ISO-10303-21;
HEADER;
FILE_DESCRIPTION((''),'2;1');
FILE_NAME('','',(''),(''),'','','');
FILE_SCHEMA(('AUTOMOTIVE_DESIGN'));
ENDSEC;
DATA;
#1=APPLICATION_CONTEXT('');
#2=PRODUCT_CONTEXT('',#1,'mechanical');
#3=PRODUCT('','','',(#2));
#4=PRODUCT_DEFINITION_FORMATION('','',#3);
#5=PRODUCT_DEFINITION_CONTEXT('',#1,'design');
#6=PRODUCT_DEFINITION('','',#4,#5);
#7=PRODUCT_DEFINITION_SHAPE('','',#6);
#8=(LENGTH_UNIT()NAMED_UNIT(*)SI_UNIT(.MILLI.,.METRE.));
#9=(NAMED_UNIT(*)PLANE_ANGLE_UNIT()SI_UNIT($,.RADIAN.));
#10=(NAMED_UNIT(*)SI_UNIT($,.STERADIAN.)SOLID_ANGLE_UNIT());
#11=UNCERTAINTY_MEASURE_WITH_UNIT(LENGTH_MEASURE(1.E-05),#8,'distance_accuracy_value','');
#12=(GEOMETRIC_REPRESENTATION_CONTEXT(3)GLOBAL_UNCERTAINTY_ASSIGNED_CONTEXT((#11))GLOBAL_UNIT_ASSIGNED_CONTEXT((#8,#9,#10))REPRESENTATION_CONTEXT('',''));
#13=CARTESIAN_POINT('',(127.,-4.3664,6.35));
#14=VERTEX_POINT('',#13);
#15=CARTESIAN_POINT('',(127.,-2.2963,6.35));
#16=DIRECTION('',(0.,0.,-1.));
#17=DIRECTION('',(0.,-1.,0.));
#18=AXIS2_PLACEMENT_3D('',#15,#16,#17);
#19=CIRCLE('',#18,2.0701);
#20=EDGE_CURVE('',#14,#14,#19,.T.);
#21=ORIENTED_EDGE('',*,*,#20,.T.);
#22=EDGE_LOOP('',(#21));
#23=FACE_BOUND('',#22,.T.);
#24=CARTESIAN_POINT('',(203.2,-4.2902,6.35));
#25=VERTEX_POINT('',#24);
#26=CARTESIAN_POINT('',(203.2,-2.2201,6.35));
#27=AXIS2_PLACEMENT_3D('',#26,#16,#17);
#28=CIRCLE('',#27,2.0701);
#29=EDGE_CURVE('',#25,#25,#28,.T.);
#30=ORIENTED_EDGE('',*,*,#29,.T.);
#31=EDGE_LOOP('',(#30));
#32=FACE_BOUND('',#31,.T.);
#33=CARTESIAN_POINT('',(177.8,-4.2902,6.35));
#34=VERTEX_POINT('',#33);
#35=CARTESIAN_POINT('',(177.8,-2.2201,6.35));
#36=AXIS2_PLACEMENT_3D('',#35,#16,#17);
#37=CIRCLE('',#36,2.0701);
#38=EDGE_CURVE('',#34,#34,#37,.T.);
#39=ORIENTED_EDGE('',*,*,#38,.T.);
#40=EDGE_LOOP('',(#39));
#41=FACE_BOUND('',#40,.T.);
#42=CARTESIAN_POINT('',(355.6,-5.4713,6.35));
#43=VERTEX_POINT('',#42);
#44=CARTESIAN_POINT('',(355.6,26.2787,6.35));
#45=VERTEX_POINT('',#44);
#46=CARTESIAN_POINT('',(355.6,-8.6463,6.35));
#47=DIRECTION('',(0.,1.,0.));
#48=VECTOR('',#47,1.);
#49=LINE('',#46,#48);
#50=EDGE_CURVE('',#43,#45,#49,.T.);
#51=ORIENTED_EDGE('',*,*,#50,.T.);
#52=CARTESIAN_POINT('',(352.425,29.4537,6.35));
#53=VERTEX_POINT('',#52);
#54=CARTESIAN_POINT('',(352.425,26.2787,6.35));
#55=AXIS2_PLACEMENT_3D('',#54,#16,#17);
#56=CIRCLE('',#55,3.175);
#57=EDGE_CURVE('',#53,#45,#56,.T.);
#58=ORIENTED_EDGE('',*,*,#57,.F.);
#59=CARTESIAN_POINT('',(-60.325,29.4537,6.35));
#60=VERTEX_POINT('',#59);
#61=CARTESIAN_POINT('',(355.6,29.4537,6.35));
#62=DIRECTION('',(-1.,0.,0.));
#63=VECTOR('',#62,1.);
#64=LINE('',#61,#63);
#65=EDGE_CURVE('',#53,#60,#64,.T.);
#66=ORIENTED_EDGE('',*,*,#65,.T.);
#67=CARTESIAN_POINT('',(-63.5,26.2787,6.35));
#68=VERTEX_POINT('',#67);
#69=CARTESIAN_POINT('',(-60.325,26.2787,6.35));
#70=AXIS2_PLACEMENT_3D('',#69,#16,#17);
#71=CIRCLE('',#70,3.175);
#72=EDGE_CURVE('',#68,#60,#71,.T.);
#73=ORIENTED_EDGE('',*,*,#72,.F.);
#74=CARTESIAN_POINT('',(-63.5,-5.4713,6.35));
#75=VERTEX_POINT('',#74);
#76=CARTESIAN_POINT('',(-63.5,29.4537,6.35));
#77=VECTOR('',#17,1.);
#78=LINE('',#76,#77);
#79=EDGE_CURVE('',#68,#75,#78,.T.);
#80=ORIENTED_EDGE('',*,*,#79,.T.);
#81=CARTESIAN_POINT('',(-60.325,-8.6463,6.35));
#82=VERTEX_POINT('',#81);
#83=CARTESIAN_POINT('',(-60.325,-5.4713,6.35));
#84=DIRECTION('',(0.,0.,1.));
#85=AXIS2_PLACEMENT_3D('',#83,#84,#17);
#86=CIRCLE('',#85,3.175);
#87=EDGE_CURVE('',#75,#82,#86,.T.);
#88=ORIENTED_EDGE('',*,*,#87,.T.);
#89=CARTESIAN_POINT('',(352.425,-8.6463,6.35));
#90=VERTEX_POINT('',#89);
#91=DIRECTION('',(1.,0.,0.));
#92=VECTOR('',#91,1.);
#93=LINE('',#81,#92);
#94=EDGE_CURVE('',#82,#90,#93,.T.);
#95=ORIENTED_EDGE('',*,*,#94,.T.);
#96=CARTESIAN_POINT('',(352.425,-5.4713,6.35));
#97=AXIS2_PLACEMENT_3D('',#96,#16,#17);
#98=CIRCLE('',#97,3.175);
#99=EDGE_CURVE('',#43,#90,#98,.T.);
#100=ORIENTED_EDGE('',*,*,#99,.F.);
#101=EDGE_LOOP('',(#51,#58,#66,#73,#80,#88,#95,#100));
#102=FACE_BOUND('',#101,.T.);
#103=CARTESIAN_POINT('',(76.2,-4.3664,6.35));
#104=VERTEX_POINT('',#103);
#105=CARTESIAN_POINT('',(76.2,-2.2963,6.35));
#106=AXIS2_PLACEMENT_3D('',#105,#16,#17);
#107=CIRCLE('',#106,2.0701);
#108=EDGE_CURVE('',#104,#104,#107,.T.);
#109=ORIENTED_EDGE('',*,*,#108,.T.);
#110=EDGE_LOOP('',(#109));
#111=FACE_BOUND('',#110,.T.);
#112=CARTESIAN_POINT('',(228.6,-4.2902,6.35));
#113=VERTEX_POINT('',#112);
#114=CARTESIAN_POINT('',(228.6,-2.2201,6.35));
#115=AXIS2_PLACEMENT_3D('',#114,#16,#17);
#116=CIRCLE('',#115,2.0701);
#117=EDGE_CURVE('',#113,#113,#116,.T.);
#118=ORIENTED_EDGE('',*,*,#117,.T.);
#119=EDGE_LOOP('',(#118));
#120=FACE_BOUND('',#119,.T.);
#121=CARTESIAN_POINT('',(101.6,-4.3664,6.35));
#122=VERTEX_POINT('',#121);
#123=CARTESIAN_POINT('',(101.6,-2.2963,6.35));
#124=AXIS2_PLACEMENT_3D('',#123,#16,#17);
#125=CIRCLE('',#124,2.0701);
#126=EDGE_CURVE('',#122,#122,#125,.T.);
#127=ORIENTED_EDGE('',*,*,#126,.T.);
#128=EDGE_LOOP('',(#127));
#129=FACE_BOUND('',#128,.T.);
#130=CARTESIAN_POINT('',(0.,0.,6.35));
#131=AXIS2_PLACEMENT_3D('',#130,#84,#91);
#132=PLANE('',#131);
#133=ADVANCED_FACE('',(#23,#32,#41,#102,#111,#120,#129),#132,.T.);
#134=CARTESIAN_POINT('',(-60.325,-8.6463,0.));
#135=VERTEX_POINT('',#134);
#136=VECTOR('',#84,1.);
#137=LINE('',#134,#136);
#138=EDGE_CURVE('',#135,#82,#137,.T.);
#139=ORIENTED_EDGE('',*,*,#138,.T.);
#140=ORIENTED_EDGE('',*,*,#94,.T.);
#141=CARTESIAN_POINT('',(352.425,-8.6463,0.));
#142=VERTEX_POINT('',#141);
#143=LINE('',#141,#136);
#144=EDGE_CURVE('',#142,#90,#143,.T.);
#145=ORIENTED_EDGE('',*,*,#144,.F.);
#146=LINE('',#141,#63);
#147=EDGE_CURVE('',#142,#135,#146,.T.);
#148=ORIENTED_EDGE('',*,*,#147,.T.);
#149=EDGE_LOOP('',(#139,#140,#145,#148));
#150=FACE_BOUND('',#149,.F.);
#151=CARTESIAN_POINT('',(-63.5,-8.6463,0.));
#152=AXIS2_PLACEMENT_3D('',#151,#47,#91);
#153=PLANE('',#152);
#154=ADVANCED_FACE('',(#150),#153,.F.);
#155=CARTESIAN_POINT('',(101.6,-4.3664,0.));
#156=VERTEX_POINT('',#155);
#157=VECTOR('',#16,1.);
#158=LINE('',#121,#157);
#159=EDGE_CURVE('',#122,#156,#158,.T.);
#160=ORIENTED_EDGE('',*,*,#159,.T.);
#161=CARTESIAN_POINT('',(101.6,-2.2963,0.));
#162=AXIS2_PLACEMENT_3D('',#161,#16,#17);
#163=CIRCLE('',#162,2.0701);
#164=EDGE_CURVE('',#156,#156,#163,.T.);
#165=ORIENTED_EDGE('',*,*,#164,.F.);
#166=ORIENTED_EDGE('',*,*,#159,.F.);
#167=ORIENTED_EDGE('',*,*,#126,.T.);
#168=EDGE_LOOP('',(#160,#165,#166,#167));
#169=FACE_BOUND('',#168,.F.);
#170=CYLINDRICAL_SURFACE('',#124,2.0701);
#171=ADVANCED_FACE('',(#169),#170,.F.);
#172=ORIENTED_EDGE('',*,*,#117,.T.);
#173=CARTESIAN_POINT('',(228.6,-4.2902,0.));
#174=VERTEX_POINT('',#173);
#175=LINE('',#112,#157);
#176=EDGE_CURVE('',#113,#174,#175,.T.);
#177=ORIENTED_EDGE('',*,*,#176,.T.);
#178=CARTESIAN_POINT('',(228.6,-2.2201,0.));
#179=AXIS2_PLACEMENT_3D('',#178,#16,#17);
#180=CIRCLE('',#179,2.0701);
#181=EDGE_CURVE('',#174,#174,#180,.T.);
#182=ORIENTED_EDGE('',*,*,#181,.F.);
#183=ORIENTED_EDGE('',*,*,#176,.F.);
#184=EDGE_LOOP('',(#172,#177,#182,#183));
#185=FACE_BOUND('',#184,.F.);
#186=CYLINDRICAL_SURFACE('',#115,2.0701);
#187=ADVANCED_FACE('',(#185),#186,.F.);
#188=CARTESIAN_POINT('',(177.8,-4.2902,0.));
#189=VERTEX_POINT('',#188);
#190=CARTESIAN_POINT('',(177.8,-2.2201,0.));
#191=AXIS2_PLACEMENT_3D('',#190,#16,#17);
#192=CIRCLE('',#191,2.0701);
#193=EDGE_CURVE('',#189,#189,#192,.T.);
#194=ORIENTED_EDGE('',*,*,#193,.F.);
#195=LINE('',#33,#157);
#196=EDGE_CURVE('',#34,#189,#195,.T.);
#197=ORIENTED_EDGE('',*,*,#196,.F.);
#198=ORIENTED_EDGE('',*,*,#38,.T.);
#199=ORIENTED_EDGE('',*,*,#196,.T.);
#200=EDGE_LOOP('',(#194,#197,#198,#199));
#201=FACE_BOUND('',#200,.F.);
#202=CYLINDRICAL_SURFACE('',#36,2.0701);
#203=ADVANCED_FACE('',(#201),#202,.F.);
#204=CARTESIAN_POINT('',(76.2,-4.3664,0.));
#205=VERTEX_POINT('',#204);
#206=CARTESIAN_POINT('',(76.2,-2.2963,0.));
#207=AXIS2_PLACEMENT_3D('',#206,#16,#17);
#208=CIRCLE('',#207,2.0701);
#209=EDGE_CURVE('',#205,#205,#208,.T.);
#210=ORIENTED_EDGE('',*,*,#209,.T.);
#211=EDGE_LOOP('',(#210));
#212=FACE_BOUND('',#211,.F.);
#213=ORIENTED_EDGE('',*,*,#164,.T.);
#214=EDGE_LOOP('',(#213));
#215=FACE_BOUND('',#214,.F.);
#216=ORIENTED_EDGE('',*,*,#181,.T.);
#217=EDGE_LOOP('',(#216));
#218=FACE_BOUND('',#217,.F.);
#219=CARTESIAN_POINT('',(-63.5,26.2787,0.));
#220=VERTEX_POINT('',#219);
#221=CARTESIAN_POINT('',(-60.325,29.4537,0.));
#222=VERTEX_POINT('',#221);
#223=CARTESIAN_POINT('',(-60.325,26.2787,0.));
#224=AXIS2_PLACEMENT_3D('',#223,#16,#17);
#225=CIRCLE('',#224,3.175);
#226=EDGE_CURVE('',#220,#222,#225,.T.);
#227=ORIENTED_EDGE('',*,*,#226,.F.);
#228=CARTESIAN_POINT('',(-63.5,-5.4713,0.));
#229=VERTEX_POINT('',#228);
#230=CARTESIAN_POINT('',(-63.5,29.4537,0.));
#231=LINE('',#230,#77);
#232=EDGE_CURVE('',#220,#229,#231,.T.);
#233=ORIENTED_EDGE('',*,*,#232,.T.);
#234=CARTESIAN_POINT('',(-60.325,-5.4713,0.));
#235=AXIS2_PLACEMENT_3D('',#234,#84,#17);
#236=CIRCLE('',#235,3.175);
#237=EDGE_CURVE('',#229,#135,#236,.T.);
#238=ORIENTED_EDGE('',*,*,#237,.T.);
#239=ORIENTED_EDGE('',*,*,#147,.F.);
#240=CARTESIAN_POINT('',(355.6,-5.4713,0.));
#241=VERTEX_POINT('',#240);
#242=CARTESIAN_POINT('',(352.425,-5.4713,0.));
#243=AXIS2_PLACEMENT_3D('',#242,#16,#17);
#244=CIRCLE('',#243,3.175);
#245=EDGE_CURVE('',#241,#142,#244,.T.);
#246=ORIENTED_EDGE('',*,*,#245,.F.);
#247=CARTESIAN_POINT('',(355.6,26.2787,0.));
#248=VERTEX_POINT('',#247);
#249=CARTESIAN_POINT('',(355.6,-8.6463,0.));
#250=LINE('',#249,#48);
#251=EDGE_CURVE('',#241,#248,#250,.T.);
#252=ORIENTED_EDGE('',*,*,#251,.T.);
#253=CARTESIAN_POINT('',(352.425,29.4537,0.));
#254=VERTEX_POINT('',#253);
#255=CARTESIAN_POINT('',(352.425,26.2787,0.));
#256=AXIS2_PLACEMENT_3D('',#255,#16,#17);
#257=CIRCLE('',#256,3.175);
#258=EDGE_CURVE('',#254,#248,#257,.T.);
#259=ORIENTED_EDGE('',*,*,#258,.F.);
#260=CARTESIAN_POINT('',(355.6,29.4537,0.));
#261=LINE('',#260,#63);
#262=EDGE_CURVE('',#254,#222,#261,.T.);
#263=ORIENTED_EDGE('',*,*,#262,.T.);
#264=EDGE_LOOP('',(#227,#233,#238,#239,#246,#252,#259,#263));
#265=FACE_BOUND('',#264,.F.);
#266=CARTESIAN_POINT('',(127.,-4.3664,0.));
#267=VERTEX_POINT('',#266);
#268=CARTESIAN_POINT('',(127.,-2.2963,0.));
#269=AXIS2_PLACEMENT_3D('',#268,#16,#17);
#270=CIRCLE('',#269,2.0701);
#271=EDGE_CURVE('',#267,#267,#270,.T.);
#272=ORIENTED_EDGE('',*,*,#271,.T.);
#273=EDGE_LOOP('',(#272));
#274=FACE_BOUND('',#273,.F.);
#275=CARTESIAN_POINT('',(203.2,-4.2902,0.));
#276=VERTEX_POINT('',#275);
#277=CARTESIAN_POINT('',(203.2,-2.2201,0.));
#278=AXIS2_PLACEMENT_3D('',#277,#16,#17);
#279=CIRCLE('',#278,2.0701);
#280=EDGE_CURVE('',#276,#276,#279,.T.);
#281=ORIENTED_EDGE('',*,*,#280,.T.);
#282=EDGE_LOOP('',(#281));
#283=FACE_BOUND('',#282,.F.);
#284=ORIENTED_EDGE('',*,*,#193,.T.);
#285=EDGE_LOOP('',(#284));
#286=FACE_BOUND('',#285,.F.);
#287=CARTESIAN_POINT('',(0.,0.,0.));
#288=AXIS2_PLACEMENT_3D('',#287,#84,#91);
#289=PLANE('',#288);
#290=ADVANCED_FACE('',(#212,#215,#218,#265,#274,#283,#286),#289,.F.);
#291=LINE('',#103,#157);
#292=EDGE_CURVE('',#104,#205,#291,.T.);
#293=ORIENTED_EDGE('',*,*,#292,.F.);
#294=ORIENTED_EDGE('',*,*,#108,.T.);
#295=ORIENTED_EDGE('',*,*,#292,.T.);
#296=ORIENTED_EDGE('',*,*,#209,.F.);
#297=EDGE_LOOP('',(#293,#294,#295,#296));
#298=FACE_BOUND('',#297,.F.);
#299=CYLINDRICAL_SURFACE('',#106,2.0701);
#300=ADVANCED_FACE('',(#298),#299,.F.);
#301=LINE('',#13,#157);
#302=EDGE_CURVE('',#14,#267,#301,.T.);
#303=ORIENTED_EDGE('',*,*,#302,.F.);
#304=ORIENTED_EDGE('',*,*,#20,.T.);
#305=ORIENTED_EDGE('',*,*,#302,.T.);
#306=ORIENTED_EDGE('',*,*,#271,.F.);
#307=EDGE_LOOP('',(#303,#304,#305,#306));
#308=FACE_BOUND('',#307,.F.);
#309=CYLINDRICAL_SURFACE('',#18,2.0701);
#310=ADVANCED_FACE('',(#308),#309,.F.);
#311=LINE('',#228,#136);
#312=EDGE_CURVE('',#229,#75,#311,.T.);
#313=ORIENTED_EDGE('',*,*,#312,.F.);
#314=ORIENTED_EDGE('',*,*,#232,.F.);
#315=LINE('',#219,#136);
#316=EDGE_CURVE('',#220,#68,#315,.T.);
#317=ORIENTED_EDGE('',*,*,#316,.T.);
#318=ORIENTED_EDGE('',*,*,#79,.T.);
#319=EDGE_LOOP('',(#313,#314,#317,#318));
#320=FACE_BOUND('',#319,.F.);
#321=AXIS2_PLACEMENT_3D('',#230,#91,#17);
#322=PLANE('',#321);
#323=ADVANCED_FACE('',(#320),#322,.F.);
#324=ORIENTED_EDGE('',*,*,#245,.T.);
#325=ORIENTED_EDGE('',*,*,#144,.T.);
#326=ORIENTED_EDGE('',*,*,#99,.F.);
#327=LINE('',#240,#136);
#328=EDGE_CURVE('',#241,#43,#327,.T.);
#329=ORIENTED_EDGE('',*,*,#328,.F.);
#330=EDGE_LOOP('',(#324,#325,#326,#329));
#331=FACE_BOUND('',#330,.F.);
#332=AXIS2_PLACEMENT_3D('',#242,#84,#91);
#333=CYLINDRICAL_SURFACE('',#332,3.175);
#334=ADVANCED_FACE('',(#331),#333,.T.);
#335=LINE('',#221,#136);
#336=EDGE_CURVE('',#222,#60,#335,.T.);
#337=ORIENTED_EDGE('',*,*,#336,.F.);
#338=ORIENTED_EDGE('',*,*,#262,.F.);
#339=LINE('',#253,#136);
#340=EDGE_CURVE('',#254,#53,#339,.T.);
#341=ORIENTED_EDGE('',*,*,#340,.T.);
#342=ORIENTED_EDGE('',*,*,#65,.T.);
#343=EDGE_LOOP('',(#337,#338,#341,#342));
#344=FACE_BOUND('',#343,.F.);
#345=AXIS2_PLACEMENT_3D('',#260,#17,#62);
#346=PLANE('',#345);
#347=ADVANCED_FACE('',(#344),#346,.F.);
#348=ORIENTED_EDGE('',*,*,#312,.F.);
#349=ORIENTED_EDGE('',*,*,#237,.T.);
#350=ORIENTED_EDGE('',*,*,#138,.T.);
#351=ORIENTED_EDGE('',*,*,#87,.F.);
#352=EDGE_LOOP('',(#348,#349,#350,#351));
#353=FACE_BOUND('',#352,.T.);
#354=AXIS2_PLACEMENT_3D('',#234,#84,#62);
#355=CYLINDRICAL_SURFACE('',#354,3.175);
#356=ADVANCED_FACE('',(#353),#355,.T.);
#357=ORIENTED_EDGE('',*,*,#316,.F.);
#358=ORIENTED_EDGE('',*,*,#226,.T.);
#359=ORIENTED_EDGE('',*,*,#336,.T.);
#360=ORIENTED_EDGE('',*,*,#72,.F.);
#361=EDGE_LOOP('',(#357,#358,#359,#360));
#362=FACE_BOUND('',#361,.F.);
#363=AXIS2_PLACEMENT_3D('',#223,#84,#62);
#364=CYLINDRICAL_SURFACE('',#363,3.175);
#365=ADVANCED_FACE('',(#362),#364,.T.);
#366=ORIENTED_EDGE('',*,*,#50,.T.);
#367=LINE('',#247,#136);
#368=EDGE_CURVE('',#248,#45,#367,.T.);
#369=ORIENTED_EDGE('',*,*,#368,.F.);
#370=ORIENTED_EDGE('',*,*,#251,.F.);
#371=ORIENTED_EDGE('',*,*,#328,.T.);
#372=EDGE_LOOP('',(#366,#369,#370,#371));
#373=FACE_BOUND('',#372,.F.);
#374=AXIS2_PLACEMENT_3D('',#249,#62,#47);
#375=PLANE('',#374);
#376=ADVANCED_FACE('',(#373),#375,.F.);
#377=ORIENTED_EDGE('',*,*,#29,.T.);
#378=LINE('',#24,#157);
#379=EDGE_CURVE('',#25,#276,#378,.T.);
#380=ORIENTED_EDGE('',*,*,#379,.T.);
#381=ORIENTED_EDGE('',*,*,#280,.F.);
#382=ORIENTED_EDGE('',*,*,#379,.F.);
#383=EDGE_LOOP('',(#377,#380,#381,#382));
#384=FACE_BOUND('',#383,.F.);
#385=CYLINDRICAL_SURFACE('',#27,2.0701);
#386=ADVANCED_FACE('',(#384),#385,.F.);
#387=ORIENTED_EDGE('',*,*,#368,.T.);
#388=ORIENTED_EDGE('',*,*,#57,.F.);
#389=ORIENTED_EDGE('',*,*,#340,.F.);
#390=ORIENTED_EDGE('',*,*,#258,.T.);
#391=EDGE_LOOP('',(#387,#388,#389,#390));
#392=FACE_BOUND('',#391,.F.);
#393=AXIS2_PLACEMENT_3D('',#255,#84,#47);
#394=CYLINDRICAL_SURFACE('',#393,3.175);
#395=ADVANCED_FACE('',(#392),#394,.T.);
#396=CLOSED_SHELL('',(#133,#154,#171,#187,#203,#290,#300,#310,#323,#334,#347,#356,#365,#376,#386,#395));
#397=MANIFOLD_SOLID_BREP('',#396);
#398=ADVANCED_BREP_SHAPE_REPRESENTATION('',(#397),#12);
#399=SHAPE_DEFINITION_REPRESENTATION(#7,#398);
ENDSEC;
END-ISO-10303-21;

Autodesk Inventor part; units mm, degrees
ref_plane "YZ Plane" through (0, 0, 0) normal (1, 0, 0) x (0, 1, 0)
ref_plane "XZ Plane" through (0, 0, 0) normal (0, 1, 0) x (-1, 0, 0)
sketch "Sketch1" plane through (0, 0, 0) normal (0, 0, 1) x (1, 0, 0)
  line L0 (-63.5, -8.6463) -> (355.6, -8.6463)
  line L1 (355.6, -8.6463) -> (355.6, 29.4537)
  line L2 (355.6, 29.4537) -> (-63.5, 29.4537)
  line L3 (-63.5, 29.4537) -> (-63.5, -8.6463)
  line L4 (355.6, -8.6463) -> (69.85, -8.6463)
  point P0 (0, 0)
  dimension "d0" = 419.1
  dimension "d27" = 38.1
ref_plane "Work Plane1" through (0, 0, 6.35) normal (0, 0, 1) x (1, 0, 0)
sketch "Sketch2" plane through (0, 0, 6.35) normal (0, 0, 1) x (1, 0, 0)
  point P0 (0, 0)
extrude "Extrusion1" add sketch "Sketch1" along normal blind 6.35
fillet "Fillet1" radius 3.175 4 edges at (355.6, 29.4537, 3.175) (355.6, -8.6463, 3.175) (-63.5, 29.4537, 3.175) (-63.5, -8.6463, 3.175)
sketch "Sketch3" plane through (0, 0, 6.35) normal (0, 0, 1) x (1, 0, 0)
  line L0 (-355.6, 35.8037) -> (355.6, 35.8037)
  line L1 (355.6, 35.8037) -> (355.6, 33.2637)
  line L2 (355.6, 33.2637) -> (-355.6, 33.2637)
  line L3 (355.6, -14.9201) -> (-355.6, -14.9201)
  line L4 (355.6, -12.4563) -> (355.6, -14.9201)
  line L5 (355.6, 33.2637) -> (355.6, -12.4563)
  line L6 (-355.6, -12.4563) -> (355.6, -12.4563)
  circle A0 centre (190.5, -2.2201) radius 2.0701
  circle A1 centre (215.9, -2.2201) radius 2.0701
  circle A2 centre (228.6, -2.2201) radius 2.0701
  circle A3 centre (203.2, -2.2201) radius 2.0701
  circle A4 centre (76.2, -2.2963) radius 2.0701
  circle A5 centre (101.6, -2.2963) radius 2.0701
  circle A6 centre (127, -2.2963) radius 2.0701
  circle A7 centre (177.8, -2.2201) radius 2.0701
hole "Hole1" at (76.2, -2.2963, 6.35) at (101.6, -2.2963, 6.35) at (127, -2.2963, 6.35) at (177.8, -2.2201, 6.35) at (203.2, -2.2201, 6.35) at (228.6, -2.2201, 6.35) direction (0, 0, -1) diameter 4.1402 end through all
properties part number "C31_TK_LEDHolder" material "Polycarbonate, Clear"
